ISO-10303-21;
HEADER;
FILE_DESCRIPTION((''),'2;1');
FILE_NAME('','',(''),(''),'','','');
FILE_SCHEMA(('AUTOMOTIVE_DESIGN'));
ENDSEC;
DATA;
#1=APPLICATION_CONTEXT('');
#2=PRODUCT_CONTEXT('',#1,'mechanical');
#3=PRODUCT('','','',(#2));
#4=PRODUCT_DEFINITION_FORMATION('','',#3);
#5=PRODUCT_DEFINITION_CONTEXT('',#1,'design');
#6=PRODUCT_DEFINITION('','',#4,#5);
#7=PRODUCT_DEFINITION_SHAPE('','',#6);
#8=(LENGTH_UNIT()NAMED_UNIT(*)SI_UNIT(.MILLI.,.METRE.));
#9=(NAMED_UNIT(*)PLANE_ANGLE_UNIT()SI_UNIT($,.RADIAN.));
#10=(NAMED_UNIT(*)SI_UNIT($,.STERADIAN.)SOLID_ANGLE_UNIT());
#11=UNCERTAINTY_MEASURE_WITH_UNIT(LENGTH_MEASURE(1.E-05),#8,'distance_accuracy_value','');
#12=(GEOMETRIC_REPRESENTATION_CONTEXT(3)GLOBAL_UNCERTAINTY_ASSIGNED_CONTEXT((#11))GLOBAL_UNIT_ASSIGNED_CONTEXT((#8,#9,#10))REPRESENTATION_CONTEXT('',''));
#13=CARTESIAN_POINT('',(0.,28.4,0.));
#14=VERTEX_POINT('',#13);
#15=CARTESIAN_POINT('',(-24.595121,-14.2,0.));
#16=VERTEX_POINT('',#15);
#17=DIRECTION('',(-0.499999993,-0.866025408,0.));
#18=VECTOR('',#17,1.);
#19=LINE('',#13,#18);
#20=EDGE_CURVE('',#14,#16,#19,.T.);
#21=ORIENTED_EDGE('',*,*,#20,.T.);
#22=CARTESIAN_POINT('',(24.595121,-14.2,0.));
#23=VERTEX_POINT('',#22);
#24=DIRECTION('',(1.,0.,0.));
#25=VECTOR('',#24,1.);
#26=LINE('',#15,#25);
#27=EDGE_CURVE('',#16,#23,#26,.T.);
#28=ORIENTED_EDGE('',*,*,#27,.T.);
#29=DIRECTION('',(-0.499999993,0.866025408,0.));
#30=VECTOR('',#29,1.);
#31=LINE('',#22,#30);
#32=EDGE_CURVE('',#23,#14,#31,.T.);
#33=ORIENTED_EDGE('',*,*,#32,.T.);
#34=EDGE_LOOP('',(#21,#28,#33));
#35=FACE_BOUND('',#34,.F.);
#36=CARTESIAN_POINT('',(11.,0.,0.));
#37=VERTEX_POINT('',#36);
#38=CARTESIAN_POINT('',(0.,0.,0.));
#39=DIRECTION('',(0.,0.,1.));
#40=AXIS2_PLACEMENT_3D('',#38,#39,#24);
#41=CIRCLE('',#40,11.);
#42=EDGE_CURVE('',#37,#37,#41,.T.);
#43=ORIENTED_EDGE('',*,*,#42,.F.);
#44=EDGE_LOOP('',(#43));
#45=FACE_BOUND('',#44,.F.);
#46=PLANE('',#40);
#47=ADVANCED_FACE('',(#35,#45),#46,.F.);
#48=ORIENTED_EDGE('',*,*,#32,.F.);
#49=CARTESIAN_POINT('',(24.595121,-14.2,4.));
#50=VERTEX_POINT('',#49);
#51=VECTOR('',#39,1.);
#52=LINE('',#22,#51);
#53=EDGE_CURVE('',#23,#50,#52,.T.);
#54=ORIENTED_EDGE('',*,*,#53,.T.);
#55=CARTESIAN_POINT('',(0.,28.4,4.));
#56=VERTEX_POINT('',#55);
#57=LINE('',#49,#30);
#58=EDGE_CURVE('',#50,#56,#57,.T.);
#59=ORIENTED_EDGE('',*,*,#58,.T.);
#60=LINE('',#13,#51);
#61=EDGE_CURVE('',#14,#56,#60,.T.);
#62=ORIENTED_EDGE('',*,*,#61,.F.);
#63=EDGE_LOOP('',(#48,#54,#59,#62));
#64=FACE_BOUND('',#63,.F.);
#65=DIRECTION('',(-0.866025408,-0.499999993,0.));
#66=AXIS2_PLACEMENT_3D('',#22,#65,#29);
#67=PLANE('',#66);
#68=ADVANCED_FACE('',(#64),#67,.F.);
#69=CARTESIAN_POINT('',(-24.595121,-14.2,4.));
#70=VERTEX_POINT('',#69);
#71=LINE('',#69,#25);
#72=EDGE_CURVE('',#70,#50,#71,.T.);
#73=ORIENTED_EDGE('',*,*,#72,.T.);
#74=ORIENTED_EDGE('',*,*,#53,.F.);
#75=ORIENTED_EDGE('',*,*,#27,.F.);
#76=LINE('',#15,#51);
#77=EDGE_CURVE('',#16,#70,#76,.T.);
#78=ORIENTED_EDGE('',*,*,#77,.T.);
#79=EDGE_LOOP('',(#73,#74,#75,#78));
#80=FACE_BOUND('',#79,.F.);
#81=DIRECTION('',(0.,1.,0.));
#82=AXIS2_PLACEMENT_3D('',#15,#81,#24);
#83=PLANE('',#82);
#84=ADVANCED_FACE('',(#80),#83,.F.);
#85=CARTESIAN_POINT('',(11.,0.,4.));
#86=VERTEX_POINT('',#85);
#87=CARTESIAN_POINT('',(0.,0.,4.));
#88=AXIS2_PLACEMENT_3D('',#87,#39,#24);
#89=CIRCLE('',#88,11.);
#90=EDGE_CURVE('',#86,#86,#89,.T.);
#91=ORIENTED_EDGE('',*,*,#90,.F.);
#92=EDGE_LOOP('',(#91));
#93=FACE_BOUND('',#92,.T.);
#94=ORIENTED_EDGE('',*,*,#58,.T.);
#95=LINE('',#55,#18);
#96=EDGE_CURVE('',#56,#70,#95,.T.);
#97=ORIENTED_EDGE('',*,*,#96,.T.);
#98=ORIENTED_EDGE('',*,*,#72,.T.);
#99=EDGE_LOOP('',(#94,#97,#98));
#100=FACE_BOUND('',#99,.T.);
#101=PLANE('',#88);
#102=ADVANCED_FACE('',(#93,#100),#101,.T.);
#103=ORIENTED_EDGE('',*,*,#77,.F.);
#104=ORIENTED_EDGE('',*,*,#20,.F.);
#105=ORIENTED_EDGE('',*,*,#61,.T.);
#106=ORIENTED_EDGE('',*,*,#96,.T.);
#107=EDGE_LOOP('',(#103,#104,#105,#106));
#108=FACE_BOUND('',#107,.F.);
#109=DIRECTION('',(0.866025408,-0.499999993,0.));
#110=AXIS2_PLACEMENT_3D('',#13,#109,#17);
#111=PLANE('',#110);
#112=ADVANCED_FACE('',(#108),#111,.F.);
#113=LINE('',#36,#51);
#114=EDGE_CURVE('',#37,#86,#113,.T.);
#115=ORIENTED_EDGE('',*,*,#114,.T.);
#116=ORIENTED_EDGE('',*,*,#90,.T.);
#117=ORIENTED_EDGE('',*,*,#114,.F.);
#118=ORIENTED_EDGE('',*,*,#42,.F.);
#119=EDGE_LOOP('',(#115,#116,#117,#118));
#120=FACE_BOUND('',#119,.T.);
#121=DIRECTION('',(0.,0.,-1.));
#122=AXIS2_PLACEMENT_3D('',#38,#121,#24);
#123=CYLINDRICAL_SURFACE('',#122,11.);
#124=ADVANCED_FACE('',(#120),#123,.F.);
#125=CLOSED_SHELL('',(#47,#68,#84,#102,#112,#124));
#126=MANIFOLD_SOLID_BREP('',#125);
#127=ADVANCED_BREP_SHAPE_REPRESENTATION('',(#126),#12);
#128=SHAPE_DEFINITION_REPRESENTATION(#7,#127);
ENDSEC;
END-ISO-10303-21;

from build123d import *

# Parameters (mm, degrees)
F0_R     = 11
F1_DEPTH = 4


with BuildPart() as f1:
    # F0 (on Top) → F1 (new body)
    with BuildSketch(Plane.XY):
        Polygon((-24.595121, -14.2), (24.595121, -14.2), (0, 28.4), align=None)
        Circle(F0_R, mode=Mode.SUBTRACT)
    extrude(amount=F1_DEPTH)


solid = f1.part
